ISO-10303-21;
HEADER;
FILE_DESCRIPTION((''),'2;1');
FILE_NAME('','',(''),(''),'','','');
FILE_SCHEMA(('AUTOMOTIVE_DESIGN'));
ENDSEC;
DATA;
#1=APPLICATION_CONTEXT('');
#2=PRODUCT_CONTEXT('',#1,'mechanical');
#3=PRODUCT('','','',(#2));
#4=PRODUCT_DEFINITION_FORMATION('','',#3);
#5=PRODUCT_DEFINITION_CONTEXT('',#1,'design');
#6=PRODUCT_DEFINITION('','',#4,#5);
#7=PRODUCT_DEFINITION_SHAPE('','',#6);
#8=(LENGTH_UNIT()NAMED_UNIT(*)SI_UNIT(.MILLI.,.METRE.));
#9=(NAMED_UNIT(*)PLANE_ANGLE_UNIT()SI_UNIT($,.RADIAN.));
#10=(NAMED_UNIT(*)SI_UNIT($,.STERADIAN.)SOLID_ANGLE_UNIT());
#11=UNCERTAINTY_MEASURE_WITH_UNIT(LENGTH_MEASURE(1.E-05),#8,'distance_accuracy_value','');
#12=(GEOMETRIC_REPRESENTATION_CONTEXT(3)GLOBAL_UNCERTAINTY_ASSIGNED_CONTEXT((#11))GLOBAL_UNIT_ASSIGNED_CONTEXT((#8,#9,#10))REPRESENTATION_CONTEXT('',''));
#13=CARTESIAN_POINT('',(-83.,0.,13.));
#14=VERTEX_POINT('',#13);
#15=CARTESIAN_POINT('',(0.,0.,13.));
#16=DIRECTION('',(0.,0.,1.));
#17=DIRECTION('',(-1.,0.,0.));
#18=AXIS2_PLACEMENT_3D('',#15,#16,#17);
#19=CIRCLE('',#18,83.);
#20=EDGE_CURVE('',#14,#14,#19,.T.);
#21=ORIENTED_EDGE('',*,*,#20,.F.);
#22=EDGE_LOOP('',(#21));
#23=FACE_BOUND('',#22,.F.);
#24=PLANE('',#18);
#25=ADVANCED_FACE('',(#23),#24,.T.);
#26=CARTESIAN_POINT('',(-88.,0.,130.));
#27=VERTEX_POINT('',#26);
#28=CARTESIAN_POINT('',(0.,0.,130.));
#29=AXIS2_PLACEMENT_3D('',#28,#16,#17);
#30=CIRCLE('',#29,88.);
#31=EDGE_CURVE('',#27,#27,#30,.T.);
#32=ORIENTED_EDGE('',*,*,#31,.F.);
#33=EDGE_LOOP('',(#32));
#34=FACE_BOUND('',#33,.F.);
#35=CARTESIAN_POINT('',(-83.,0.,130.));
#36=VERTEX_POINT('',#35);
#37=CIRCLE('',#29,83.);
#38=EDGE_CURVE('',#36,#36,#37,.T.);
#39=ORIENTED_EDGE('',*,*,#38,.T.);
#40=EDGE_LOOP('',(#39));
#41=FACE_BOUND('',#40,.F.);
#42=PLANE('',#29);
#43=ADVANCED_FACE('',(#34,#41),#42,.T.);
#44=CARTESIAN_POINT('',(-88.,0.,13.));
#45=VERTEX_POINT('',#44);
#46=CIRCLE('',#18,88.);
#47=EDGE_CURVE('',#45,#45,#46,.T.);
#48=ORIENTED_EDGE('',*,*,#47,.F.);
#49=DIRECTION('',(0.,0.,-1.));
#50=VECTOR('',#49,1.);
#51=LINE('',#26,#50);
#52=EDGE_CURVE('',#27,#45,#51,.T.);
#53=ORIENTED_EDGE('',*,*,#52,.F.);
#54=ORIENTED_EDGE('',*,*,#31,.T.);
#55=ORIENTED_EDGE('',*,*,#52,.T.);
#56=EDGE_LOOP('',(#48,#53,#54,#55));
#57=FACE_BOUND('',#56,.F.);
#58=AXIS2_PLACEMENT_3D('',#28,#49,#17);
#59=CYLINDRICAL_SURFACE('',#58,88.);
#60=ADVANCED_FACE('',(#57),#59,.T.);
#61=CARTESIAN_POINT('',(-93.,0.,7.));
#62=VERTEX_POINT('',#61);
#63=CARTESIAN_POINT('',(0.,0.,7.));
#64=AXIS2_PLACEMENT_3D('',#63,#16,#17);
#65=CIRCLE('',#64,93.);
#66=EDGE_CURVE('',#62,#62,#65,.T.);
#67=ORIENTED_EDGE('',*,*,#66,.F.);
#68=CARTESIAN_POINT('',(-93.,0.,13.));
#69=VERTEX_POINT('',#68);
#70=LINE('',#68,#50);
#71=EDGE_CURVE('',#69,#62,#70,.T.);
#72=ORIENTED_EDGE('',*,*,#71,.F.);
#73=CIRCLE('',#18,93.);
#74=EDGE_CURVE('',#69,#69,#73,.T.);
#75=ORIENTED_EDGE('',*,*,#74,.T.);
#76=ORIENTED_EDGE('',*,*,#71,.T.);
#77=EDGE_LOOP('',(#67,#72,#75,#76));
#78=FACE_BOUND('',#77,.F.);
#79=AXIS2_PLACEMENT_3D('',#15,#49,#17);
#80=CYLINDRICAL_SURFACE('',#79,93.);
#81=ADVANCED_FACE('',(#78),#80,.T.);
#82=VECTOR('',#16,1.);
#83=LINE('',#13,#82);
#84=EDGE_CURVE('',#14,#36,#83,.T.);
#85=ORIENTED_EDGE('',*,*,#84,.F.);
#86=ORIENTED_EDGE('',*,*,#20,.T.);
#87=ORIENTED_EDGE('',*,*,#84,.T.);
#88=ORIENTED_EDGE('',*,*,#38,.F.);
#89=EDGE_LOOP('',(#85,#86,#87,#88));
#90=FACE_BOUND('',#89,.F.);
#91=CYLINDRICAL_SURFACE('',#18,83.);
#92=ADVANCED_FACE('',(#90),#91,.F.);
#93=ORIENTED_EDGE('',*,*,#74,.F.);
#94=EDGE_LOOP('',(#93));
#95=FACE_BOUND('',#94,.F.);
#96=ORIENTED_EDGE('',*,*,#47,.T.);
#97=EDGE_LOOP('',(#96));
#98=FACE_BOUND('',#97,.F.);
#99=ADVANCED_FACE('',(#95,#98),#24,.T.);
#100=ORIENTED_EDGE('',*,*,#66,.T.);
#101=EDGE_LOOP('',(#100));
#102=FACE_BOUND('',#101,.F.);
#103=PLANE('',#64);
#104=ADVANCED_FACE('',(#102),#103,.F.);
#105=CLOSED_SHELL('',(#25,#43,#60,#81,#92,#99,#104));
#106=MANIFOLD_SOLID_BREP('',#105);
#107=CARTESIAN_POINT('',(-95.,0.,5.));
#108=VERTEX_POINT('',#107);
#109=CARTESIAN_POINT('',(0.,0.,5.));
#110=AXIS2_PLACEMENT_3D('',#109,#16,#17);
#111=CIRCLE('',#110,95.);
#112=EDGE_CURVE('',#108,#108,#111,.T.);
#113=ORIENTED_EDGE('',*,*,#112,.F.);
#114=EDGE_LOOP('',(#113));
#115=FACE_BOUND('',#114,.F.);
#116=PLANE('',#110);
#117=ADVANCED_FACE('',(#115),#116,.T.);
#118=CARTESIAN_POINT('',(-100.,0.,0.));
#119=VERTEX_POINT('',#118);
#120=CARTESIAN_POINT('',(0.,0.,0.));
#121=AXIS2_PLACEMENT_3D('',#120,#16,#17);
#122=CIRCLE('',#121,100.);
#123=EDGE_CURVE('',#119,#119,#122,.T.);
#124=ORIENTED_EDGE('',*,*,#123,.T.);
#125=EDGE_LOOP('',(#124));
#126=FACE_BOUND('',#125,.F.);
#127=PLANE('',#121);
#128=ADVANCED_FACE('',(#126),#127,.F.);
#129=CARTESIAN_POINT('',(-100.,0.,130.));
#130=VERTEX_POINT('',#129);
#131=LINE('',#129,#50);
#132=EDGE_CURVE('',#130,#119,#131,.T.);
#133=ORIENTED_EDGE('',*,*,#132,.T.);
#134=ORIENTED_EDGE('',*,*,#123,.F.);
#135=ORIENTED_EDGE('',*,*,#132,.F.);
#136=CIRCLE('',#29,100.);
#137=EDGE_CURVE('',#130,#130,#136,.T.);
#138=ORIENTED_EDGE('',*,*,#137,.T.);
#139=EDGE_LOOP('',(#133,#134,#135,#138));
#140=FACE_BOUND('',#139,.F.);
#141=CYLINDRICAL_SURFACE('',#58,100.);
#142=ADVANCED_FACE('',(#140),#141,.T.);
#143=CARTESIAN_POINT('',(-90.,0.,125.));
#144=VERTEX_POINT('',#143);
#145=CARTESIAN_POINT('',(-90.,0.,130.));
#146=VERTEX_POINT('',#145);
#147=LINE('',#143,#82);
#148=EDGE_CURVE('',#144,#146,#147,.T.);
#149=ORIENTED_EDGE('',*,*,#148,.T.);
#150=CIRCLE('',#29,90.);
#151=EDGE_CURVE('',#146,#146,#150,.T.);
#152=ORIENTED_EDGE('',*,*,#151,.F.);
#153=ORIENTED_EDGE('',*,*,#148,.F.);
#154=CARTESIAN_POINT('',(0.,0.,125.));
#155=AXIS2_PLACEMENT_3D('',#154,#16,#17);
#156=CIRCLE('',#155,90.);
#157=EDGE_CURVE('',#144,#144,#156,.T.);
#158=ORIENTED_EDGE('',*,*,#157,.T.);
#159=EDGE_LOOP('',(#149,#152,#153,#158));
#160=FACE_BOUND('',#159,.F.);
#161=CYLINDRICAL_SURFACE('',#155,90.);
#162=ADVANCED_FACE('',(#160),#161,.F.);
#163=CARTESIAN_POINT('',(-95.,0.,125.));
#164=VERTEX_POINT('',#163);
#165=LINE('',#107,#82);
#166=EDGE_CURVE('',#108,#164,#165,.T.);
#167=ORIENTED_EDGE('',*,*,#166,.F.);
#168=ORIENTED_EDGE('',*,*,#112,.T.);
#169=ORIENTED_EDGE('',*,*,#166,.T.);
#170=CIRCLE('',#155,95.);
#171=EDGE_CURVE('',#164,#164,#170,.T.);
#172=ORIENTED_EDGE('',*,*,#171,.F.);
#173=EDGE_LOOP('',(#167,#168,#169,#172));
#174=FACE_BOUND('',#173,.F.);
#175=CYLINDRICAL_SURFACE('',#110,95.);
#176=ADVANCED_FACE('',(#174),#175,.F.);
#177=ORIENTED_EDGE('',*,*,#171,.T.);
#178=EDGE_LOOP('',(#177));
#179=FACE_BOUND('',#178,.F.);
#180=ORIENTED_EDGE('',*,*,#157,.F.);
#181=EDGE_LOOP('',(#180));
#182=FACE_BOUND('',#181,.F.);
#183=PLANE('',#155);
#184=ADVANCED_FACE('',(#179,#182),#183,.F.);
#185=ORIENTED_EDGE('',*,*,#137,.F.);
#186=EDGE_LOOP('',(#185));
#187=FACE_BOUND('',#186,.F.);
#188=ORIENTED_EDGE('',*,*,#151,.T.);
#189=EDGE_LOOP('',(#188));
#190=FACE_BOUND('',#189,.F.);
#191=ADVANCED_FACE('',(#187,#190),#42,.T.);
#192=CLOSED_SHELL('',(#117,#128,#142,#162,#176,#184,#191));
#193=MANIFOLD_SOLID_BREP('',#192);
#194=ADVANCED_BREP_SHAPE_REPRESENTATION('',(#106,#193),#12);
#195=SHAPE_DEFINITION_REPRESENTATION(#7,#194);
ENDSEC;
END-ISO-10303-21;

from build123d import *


with BuildPart() as f1:
    # F0 (on Front) → F1 (revolve)
    with BuildSketch(Plane.XZ):
        Polygon((-93, 7), (0, 7), (0, 13), (-83, 13), (-83, 130), (-88, 130), (-88, 123), (-88, 13), (-93, 13), align=None)
        Polygon((-100, 0), (0, 0), (0, 5), (-95, 5), (-95, 125), (-90, 125), (-90, 130), (-100, 130), align=None)
    revolve(axis=Axis((0, 0, 65), (0, 0, 1)))


solid = f1.part
